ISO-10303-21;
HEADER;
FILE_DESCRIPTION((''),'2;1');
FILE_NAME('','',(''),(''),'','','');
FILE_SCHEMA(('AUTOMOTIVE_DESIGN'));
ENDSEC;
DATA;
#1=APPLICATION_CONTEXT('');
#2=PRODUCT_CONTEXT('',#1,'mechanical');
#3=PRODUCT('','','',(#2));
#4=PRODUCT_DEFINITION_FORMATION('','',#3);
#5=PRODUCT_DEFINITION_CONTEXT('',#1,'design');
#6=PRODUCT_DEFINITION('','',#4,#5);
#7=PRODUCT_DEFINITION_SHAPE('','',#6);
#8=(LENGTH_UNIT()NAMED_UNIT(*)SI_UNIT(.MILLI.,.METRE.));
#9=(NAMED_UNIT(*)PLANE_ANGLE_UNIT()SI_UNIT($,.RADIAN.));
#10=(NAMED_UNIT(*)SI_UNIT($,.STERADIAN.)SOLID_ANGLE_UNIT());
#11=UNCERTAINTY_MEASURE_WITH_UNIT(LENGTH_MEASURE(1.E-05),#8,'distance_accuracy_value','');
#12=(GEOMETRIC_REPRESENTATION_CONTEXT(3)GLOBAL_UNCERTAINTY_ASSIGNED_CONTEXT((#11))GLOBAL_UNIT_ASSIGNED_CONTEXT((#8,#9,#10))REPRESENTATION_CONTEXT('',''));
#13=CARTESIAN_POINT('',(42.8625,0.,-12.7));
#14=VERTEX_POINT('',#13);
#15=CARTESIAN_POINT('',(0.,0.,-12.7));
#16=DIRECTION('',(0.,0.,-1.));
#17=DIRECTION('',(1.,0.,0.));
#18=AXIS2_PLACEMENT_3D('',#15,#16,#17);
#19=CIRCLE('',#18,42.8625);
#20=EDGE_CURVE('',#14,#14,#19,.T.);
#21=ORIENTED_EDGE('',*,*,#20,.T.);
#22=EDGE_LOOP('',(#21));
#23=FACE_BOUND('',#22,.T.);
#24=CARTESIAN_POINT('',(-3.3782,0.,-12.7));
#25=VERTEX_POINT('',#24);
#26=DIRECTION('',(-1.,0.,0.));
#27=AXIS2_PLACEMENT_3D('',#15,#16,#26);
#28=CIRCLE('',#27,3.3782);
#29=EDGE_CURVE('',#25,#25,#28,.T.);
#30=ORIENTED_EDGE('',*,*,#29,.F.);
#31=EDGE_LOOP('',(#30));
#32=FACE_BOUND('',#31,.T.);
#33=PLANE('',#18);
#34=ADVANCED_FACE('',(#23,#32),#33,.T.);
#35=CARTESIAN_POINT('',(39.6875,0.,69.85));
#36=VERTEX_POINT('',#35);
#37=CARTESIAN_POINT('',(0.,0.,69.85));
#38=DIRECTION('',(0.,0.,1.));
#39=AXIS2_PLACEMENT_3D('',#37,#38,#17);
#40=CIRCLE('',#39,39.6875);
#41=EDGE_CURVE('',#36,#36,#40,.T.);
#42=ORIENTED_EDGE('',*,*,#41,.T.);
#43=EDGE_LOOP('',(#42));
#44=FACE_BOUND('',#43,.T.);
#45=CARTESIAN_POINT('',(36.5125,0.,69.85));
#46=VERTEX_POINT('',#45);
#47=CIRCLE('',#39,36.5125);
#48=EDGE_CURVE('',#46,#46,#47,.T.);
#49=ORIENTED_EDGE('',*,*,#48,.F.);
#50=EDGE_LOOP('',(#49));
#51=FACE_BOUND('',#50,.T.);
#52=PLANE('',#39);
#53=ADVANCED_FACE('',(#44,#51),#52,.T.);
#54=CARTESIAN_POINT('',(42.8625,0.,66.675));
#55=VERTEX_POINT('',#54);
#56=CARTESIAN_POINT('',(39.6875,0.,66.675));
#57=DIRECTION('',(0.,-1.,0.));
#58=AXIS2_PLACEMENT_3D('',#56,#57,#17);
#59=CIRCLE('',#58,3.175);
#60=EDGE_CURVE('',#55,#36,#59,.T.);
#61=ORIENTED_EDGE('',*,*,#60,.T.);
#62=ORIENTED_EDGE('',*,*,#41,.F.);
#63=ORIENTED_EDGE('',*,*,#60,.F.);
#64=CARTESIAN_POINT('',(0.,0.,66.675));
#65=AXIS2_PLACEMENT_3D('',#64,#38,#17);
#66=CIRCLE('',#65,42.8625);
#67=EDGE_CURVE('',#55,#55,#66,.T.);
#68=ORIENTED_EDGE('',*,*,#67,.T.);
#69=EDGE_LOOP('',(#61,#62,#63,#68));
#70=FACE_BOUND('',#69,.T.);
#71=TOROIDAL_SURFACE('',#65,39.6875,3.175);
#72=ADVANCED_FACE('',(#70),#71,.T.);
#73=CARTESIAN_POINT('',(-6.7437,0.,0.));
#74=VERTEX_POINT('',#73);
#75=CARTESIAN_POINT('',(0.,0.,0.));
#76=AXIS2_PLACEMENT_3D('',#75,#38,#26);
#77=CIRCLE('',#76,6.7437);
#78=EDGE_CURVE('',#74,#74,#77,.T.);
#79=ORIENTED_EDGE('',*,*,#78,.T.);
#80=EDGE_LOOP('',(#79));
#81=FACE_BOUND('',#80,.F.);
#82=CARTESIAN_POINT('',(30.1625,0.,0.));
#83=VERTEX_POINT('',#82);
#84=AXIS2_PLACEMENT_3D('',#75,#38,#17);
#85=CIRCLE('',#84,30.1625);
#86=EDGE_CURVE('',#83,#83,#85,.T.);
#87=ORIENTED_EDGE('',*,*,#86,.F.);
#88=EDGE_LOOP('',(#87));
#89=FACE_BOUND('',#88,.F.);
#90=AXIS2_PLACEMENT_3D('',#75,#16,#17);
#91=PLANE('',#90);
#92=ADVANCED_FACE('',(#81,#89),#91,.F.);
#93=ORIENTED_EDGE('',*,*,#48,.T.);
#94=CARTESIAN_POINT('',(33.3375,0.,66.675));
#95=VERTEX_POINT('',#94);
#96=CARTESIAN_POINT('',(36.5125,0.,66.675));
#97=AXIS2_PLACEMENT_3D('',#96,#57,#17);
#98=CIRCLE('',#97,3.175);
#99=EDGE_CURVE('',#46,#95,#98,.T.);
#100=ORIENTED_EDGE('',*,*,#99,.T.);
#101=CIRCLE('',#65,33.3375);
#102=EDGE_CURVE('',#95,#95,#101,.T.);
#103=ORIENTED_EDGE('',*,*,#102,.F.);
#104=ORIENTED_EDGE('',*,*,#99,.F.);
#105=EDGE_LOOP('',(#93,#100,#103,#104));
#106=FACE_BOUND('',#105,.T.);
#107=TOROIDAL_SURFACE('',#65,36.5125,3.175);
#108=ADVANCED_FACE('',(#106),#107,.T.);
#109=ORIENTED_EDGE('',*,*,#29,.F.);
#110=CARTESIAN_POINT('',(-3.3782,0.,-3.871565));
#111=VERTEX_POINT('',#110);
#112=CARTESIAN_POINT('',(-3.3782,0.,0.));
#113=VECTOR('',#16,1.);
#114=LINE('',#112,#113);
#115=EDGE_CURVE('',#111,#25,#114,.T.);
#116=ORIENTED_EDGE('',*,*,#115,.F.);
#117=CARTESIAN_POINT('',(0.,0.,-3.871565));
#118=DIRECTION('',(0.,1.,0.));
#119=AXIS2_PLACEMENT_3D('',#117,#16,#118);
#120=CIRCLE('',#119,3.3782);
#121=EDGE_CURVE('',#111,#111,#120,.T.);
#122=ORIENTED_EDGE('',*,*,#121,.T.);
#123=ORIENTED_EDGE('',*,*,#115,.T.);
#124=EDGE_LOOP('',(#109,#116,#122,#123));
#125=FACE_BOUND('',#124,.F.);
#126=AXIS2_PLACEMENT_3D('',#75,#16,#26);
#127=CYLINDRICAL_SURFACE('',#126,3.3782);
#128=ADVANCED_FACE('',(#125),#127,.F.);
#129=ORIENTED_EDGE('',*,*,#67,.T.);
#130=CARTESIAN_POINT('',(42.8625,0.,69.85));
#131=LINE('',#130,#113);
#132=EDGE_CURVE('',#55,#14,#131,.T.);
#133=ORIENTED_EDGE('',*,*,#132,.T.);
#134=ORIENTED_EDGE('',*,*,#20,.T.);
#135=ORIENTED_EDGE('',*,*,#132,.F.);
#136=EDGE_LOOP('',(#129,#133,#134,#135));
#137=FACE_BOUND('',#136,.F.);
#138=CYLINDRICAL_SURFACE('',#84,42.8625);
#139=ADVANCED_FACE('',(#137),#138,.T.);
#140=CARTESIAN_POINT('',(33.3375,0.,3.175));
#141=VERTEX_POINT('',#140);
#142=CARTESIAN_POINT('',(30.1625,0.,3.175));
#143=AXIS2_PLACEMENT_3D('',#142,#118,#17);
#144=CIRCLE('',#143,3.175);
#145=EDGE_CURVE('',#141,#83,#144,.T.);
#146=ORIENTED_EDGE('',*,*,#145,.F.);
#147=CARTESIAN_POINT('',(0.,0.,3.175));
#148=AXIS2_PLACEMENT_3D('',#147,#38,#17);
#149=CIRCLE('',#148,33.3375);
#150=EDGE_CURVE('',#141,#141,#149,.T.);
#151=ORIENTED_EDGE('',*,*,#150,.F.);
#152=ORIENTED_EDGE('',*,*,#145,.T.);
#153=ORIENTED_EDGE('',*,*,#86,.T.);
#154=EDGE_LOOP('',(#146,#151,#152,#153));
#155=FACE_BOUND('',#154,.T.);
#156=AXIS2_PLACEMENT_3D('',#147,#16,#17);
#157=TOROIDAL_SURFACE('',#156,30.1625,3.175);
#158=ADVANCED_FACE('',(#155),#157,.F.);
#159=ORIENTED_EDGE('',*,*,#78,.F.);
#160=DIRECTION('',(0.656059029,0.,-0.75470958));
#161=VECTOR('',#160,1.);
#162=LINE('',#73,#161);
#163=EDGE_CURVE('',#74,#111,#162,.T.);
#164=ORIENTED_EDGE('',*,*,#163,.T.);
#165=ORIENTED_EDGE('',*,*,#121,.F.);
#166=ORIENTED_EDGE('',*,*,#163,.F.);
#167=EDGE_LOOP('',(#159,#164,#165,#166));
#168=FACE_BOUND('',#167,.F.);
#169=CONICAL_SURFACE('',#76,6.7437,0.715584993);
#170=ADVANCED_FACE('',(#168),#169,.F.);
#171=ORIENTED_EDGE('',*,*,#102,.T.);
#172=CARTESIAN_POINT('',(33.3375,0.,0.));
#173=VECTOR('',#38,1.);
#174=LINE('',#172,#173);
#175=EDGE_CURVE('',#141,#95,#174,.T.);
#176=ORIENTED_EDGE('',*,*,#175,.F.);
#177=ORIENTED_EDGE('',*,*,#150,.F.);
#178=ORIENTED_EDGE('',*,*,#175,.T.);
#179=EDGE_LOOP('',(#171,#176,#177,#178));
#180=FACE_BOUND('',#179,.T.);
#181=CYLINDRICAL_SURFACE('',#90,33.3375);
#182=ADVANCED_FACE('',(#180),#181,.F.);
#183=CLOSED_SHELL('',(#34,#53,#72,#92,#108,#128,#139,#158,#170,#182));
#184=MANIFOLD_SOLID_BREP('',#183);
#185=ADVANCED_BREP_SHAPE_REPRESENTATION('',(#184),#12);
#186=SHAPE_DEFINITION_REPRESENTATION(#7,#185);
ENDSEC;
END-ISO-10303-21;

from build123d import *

# Parameters (mm, degrees)
F0_R           = 42.8625
F0_R_2         = 33.3375
F1_DEPTH       = 69.85
F2_R           = 42.8625
F3_DEPTH       = 12.7
F5_D           = 6.7564
F5_CSINK_D     = 13.4874
F5_CSINK_ANGLE = 82
F6_R           = 3.175


with BuildPart() as f1:
    # F0 (on Top) → F1 (new body)
    with BuildSketch(Plane.XY):
        Circle(F0_R)
        Circle(F0_R_2, mode=Mode.SUBTRACT)
    extrude(amount=F1_DEPTH)

    # F2 (on face) → F3 (join)
    with BuildSketch(Plane(origin=(0, 0, 0), x_dir=(1, 0, 0), z_dir=(0, 0, -1))):
        Circle(F2_R)
    extrude(amount=F3_DEPTH)

    # F5 (through all)
    with Locations(Plane.XY):
        with Locations((0, 0)):
            CounterSinkHole(F5_D / 2, F5_CSINK_D / 2, counter_sink_angle=F5_CSINK_ANGLE)

    # F6
    f6_edges = [f1.edges().sort_by_distance(p)[0] for p in [
        (-33.3375, 0, 0),
        (-33.3375, 0, 69.85),
        (-42.8625, 0, 69.85),
    ]]
    fillet(f6_edges, radius=F6_R)


solid = f1.part
